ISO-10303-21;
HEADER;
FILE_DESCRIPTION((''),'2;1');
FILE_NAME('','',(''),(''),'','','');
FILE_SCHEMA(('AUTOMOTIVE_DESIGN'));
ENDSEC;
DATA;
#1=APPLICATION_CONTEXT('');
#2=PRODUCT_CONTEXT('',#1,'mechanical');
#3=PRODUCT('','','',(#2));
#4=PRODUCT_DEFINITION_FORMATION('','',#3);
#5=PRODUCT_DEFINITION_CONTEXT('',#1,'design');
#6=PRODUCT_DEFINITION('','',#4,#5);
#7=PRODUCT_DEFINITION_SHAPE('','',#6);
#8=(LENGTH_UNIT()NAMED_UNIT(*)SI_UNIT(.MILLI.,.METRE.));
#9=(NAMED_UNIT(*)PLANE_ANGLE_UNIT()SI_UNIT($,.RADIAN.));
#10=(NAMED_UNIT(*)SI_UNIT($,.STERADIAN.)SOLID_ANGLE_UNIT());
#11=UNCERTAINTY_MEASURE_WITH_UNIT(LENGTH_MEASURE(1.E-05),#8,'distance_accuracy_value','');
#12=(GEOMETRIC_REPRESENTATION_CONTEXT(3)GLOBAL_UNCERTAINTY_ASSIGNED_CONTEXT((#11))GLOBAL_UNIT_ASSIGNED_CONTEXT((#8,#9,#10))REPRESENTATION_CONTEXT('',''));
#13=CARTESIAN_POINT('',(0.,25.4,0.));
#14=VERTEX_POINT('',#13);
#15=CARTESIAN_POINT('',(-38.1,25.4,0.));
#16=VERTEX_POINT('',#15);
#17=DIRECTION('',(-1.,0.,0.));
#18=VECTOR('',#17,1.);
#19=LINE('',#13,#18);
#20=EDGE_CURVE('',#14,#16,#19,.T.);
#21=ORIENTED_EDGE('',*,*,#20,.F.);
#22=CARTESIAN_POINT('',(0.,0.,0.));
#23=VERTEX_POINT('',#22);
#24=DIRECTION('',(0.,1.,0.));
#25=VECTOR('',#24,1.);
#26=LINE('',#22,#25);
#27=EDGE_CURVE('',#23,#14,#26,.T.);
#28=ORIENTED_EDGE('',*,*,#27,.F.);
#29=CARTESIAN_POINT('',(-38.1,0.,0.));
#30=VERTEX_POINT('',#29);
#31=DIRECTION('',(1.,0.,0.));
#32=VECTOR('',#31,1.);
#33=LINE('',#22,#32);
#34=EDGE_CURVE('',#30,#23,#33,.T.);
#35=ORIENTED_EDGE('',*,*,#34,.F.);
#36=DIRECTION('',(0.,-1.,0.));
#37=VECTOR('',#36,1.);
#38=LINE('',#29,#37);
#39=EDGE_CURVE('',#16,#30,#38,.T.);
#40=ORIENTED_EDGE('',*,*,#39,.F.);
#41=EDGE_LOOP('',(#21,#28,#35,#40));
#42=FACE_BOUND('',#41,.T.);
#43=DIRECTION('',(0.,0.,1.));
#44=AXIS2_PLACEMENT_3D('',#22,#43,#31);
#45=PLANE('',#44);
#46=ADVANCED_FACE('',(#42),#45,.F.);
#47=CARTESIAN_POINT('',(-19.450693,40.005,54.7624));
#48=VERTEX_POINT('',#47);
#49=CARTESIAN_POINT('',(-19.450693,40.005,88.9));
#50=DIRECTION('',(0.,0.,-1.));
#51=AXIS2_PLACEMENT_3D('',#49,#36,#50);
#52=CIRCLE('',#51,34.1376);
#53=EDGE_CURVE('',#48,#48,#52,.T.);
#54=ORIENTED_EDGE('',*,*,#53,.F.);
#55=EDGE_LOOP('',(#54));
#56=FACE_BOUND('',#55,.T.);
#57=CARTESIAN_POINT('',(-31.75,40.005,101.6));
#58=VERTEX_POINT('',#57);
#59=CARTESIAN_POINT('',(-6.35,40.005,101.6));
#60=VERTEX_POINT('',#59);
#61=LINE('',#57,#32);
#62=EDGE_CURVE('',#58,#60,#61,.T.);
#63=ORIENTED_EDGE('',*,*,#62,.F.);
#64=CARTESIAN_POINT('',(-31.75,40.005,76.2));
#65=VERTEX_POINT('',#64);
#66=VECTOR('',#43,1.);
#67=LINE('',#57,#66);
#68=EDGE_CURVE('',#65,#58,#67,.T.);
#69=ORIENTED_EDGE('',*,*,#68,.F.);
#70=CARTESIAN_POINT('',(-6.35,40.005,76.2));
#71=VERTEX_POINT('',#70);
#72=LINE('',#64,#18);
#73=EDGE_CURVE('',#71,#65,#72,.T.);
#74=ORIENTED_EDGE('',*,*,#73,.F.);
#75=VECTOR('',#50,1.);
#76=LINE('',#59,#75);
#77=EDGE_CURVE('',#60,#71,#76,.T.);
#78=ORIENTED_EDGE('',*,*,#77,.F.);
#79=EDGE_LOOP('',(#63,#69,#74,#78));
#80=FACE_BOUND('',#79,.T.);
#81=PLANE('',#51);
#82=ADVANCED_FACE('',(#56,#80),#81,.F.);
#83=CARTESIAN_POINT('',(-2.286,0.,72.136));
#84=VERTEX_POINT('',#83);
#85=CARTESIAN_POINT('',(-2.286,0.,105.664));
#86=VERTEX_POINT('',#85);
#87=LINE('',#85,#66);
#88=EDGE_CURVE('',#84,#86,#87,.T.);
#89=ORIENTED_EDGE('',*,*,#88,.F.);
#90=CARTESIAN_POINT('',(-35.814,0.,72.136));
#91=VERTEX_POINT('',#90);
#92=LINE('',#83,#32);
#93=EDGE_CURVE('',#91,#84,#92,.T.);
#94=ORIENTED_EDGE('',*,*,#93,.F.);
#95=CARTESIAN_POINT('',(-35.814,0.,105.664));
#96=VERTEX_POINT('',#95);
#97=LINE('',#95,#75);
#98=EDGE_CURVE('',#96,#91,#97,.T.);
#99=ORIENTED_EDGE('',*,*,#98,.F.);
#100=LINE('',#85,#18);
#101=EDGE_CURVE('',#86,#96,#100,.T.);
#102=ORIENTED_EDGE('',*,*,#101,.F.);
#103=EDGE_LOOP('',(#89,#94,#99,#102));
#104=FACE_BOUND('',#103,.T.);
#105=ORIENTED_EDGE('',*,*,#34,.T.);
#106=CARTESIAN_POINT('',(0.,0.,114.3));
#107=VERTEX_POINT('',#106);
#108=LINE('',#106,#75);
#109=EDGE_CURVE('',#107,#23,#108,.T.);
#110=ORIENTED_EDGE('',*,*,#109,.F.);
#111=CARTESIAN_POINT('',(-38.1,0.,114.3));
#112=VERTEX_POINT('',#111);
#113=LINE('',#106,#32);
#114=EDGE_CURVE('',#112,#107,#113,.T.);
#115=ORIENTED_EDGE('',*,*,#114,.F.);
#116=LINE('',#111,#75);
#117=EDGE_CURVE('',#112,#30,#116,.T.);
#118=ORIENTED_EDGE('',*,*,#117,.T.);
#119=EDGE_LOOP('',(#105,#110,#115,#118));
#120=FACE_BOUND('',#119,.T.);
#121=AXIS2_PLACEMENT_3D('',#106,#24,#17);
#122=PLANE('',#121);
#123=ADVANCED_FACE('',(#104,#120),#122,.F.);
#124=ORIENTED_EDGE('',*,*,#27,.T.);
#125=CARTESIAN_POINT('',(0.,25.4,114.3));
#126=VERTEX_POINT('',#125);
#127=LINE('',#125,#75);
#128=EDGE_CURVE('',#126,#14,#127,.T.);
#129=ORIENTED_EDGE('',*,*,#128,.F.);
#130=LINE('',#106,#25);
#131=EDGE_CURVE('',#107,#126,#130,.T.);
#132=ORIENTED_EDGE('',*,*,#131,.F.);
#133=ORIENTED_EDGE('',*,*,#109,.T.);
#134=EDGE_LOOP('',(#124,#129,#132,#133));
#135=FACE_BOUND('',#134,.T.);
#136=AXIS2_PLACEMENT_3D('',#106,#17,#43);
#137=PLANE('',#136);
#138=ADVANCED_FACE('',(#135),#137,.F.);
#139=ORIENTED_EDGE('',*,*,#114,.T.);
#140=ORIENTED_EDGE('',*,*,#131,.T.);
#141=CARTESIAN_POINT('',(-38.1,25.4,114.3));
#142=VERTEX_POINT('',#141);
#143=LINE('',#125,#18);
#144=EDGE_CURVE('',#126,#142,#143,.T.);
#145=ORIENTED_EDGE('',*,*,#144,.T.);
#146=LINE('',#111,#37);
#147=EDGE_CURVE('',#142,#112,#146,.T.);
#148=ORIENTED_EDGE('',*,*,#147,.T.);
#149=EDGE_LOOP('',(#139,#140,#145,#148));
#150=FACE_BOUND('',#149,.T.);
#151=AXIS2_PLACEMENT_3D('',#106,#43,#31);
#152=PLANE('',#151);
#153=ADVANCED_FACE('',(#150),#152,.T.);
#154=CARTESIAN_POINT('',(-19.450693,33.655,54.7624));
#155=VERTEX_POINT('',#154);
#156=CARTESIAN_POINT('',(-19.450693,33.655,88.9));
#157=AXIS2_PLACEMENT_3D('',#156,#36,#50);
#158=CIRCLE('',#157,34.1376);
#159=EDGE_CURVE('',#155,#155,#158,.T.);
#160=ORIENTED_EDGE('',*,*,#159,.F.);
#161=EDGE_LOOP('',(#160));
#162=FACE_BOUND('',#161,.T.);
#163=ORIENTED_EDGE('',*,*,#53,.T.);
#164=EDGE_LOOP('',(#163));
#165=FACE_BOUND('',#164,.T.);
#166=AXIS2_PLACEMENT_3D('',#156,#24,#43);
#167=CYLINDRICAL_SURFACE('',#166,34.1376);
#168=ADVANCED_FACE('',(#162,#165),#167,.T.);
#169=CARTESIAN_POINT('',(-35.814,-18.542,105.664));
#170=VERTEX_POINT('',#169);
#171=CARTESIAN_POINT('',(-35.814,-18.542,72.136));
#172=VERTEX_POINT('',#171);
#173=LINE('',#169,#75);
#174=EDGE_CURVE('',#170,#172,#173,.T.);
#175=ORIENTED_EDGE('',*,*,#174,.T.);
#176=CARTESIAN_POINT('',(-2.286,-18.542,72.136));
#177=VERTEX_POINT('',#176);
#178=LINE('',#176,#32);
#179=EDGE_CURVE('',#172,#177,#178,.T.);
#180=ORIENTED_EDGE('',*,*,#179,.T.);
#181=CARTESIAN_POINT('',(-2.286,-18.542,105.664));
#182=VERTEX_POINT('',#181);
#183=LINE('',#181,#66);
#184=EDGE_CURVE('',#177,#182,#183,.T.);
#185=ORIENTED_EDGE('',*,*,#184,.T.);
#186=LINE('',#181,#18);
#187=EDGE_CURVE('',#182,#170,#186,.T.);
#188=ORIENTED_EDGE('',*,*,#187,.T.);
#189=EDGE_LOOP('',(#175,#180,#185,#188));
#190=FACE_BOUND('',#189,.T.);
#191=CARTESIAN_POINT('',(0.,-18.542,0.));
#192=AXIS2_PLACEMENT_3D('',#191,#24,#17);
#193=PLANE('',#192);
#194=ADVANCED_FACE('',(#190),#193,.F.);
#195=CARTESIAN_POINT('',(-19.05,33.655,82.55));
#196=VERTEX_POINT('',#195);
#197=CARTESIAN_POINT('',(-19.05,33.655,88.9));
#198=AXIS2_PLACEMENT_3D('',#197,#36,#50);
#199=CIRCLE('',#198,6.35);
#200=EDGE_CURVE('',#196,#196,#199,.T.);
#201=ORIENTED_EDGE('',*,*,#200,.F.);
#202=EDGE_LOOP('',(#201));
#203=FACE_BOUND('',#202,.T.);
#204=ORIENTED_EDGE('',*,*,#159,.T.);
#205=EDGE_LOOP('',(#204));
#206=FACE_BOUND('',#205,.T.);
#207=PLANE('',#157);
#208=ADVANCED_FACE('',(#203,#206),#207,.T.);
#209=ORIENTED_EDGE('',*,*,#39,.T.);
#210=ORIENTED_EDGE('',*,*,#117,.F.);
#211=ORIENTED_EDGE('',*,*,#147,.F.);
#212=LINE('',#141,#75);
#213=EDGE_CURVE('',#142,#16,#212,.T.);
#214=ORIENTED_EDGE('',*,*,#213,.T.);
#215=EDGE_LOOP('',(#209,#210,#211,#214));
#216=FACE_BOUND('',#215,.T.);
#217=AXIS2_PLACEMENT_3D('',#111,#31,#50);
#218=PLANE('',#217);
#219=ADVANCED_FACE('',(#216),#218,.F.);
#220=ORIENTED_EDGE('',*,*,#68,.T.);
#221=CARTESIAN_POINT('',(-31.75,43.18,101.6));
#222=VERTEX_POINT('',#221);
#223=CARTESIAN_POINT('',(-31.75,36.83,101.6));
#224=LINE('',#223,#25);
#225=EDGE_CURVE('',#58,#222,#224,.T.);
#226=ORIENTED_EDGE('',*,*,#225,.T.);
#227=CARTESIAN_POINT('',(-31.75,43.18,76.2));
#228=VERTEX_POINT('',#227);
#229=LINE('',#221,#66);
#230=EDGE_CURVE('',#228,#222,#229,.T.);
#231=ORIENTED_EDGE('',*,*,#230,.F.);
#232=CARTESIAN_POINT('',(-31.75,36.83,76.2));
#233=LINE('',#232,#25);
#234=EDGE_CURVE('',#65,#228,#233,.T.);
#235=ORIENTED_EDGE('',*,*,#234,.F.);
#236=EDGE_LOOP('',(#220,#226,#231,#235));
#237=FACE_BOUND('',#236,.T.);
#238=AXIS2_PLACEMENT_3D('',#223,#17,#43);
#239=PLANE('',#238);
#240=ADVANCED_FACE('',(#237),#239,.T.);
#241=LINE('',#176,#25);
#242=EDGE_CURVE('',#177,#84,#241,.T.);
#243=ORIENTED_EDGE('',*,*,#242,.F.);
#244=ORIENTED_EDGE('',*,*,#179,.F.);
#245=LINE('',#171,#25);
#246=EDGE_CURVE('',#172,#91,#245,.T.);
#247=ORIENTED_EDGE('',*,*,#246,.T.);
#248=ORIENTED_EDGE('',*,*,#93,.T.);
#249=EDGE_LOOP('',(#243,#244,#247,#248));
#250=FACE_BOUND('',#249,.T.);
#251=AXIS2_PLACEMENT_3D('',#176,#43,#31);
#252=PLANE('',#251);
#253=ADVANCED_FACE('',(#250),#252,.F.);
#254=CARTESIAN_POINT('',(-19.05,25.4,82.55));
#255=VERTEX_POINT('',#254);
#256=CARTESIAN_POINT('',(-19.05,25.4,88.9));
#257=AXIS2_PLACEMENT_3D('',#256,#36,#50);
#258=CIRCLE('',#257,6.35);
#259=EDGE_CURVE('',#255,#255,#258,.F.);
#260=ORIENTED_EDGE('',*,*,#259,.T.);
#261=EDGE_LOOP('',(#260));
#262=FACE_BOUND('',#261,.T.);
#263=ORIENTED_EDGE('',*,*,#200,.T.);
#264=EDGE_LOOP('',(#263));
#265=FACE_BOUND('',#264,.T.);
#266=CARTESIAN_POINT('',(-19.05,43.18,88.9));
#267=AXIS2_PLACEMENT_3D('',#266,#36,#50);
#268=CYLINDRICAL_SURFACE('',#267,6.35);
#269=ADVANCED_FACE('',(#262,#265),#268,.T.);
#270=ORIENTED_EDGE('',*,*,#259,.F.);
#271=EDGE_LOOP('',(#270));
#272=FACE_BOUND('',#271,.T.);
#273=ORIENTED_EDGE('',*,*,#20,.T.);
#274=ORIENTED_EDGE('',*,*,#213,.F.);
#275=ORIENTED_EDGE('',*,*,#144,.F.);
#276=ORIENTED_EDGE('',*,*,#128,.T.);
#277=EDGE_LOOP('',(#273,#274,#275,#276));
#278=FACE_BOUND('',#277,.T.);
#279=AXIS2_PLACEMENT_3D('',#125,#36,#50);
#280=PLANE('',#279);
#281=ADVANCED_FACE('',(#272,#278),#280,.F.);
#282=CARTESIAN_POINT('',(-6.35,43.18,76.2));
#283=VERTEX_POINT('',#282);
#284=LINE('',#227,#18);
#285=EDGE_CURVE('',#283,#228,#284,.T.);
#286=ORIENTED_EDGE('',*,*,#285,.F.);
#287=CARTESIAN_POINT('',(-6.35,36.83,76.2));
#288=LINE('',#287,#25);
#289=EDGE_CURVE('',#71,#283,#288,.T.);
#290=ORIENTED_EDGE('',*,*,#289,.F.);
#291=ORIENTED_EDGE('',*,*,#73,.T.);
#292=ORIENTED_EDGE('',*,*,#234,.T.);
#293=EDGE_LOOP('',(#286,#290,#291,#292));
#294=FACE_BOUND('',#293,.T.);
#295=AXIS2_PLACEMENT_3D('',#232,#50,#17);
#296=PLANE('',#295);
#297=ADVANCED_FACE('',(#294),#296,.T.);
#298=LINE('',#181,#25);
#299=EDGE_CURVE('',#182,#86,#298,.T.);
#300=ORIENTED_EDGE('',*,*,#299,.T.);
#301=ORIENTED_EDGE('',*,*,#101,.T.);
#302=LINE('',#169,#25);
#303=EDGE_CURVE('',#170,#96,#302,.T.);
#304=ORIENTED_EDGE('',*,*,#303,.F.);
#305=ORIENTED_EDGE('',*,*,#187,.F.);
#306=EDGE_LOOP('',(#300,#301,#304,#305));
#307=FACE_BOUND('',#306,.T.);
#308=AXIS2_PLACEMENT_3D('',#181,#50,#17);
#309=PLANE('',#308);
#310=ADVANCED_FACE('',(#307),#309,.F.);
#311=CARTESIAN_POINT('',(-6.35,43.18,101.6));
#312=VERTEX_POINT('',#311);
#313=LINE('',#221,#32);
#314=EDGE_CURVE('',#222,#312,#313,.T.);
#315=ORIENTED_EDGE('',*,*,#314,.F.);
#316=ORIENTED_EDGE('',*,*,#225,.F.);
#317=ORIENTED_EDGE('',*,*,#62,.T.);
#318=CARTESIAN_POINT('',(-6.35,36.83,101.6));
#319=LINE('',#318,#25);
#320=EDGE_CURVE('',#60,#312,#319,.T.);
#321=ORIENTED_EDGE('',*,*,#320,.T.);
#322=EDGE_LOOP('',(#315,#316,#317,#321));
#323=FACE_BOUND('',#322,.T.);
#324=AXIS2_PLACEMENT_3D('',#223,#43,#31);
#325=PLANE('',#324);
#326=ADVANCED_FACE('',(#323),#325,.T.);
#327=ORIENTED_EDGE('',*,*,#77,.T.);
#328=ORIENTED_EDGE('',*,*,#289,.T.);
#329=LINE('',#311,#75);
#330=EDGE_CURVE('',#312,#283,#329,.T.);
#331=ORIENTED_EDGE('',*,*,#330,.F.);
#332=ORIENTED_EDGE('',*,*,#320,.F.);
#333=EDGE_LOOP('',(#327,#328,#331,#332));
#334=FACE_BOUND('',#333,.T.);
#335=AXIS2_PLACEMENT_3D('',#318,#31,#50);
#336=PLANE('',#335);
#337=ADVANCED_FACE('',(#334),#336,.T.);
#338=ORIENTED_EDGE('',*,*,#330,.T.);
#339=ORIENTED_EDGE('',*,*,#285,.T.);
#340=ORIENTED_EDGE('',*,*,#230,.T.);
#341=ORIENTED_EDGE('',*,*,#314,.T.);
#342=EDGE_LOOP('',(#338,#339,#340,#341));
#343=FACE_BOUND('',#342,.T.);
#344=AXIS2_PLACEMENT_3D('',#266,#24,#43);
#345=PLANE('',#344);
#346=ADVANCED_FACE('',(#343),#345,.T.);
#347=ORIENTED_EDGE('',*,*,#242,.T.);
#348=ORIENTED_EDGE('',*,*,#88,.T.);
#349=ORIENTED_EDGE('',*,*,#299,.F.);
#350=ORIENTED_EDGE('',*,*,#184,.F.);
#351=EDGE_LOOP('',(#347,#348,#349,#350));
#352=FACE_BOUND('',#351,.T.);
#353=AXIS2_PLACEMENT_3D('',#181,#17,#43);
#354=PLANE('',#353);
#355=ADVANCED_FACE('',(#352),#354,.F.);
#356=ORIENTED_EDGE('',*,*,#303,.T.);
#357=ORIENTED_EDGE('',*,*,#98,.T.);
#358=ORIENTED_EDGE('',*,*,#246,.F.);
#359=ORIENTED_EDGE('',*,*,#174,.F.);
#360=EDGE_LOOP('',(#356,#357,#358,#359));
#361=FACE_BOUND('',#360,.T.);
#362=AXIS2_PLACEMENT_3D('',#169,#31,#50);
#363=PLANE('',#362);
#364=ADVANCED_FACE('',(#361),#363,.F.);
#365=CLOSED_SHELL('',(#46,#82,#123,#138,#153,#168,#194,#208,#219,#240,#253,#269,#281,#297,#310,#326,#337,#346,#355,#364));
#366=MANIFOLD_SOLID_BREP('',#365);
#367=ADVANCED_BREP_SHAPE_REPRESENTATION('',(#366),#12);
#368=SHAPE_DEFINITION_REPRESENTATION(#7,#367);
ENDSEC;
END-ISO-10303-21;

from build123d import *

# Parameters (mm, degrees)
SKETCH1_W           = 38.1
SKETCH1_H           = 25.4
BOSS_EXTRUDE1_DEPTH = 114.3
SKETCH3_W           = 33.528
SKETCH3_H           = 33.528
BOSS_EXTRUDE2_DEPTH = 18.542
SKETCH2_R           = 6.35
BOSS_EXTRUDE3_DEPTH = 17.78
SKETCH4_W           = 25.4
SKETCH4_H           = 25.4
BOSS_EXTRUDE4_DEPTH = 6.35
SKETCH5_R           = 34.1376
BOSS_EXTRUDE5_DEPTH = 3.175


with BuildPart() as part:
    # Sketch1 → Boss-Extrude1 (new body)
    with BuildSketch(Plane.XY):
        with Locations((-19.05, 12.7)):
            Rectangle(SKETCH1_W, SKETCH1_H)
    extrude(amount=BOSS_EXTRUDE1_DEPTH)

    # Sketch3 → Boss-Extrude2 (add)
    with BuildSketch(Plane.XZ):
        with Locations((-19.05, 88.9)):
            Rectangle(SKETCH3_W, SKETCH3_H)
    extrude(amount=BOSS_EXTRUDE2_DEPTH)

    # Sketch2 → Boss-Extrude3 (add)
    with BuildSketch(Plane(origin=(0, 25.4, 0), x_dir=(1, 0, 0), z_dir=(0, 1, 0))):
        with Locations(Location((-19.05, -88.9, 0), (0, 0, 90))):
            Circle(SKETCH2_R)
    extrude(amount=BOSS_EXTRUDE3_DEPTH)

    # Sketch4 → Boss-Extrude4 (add)
    with BuildSketch(Plane(origin=(0, 43.18, 0), x_dir=(1, 0, 0), z_dir=(0, 1, 0))):
        with Locations((-19.05, -88.9)):
            Rectangle(SKETCH4_W, SKETCH4_H)
    extrude(amount=-BOSS_EXTRUDE4_DEPTH)

    # Sketch5 → Boss-Extrude5 (add, symmetric)
    with BuildSketch(Plane.XZ.offset(-36.83)):
        with Locations(Location((-19.450692706, 88.9, 0), (0, 0, 270))):
            Circle(SKETCH5_R)
    extrude(amount=BOSS_EXTRUDE5_DEPTH, both=True)


solid = part.part
